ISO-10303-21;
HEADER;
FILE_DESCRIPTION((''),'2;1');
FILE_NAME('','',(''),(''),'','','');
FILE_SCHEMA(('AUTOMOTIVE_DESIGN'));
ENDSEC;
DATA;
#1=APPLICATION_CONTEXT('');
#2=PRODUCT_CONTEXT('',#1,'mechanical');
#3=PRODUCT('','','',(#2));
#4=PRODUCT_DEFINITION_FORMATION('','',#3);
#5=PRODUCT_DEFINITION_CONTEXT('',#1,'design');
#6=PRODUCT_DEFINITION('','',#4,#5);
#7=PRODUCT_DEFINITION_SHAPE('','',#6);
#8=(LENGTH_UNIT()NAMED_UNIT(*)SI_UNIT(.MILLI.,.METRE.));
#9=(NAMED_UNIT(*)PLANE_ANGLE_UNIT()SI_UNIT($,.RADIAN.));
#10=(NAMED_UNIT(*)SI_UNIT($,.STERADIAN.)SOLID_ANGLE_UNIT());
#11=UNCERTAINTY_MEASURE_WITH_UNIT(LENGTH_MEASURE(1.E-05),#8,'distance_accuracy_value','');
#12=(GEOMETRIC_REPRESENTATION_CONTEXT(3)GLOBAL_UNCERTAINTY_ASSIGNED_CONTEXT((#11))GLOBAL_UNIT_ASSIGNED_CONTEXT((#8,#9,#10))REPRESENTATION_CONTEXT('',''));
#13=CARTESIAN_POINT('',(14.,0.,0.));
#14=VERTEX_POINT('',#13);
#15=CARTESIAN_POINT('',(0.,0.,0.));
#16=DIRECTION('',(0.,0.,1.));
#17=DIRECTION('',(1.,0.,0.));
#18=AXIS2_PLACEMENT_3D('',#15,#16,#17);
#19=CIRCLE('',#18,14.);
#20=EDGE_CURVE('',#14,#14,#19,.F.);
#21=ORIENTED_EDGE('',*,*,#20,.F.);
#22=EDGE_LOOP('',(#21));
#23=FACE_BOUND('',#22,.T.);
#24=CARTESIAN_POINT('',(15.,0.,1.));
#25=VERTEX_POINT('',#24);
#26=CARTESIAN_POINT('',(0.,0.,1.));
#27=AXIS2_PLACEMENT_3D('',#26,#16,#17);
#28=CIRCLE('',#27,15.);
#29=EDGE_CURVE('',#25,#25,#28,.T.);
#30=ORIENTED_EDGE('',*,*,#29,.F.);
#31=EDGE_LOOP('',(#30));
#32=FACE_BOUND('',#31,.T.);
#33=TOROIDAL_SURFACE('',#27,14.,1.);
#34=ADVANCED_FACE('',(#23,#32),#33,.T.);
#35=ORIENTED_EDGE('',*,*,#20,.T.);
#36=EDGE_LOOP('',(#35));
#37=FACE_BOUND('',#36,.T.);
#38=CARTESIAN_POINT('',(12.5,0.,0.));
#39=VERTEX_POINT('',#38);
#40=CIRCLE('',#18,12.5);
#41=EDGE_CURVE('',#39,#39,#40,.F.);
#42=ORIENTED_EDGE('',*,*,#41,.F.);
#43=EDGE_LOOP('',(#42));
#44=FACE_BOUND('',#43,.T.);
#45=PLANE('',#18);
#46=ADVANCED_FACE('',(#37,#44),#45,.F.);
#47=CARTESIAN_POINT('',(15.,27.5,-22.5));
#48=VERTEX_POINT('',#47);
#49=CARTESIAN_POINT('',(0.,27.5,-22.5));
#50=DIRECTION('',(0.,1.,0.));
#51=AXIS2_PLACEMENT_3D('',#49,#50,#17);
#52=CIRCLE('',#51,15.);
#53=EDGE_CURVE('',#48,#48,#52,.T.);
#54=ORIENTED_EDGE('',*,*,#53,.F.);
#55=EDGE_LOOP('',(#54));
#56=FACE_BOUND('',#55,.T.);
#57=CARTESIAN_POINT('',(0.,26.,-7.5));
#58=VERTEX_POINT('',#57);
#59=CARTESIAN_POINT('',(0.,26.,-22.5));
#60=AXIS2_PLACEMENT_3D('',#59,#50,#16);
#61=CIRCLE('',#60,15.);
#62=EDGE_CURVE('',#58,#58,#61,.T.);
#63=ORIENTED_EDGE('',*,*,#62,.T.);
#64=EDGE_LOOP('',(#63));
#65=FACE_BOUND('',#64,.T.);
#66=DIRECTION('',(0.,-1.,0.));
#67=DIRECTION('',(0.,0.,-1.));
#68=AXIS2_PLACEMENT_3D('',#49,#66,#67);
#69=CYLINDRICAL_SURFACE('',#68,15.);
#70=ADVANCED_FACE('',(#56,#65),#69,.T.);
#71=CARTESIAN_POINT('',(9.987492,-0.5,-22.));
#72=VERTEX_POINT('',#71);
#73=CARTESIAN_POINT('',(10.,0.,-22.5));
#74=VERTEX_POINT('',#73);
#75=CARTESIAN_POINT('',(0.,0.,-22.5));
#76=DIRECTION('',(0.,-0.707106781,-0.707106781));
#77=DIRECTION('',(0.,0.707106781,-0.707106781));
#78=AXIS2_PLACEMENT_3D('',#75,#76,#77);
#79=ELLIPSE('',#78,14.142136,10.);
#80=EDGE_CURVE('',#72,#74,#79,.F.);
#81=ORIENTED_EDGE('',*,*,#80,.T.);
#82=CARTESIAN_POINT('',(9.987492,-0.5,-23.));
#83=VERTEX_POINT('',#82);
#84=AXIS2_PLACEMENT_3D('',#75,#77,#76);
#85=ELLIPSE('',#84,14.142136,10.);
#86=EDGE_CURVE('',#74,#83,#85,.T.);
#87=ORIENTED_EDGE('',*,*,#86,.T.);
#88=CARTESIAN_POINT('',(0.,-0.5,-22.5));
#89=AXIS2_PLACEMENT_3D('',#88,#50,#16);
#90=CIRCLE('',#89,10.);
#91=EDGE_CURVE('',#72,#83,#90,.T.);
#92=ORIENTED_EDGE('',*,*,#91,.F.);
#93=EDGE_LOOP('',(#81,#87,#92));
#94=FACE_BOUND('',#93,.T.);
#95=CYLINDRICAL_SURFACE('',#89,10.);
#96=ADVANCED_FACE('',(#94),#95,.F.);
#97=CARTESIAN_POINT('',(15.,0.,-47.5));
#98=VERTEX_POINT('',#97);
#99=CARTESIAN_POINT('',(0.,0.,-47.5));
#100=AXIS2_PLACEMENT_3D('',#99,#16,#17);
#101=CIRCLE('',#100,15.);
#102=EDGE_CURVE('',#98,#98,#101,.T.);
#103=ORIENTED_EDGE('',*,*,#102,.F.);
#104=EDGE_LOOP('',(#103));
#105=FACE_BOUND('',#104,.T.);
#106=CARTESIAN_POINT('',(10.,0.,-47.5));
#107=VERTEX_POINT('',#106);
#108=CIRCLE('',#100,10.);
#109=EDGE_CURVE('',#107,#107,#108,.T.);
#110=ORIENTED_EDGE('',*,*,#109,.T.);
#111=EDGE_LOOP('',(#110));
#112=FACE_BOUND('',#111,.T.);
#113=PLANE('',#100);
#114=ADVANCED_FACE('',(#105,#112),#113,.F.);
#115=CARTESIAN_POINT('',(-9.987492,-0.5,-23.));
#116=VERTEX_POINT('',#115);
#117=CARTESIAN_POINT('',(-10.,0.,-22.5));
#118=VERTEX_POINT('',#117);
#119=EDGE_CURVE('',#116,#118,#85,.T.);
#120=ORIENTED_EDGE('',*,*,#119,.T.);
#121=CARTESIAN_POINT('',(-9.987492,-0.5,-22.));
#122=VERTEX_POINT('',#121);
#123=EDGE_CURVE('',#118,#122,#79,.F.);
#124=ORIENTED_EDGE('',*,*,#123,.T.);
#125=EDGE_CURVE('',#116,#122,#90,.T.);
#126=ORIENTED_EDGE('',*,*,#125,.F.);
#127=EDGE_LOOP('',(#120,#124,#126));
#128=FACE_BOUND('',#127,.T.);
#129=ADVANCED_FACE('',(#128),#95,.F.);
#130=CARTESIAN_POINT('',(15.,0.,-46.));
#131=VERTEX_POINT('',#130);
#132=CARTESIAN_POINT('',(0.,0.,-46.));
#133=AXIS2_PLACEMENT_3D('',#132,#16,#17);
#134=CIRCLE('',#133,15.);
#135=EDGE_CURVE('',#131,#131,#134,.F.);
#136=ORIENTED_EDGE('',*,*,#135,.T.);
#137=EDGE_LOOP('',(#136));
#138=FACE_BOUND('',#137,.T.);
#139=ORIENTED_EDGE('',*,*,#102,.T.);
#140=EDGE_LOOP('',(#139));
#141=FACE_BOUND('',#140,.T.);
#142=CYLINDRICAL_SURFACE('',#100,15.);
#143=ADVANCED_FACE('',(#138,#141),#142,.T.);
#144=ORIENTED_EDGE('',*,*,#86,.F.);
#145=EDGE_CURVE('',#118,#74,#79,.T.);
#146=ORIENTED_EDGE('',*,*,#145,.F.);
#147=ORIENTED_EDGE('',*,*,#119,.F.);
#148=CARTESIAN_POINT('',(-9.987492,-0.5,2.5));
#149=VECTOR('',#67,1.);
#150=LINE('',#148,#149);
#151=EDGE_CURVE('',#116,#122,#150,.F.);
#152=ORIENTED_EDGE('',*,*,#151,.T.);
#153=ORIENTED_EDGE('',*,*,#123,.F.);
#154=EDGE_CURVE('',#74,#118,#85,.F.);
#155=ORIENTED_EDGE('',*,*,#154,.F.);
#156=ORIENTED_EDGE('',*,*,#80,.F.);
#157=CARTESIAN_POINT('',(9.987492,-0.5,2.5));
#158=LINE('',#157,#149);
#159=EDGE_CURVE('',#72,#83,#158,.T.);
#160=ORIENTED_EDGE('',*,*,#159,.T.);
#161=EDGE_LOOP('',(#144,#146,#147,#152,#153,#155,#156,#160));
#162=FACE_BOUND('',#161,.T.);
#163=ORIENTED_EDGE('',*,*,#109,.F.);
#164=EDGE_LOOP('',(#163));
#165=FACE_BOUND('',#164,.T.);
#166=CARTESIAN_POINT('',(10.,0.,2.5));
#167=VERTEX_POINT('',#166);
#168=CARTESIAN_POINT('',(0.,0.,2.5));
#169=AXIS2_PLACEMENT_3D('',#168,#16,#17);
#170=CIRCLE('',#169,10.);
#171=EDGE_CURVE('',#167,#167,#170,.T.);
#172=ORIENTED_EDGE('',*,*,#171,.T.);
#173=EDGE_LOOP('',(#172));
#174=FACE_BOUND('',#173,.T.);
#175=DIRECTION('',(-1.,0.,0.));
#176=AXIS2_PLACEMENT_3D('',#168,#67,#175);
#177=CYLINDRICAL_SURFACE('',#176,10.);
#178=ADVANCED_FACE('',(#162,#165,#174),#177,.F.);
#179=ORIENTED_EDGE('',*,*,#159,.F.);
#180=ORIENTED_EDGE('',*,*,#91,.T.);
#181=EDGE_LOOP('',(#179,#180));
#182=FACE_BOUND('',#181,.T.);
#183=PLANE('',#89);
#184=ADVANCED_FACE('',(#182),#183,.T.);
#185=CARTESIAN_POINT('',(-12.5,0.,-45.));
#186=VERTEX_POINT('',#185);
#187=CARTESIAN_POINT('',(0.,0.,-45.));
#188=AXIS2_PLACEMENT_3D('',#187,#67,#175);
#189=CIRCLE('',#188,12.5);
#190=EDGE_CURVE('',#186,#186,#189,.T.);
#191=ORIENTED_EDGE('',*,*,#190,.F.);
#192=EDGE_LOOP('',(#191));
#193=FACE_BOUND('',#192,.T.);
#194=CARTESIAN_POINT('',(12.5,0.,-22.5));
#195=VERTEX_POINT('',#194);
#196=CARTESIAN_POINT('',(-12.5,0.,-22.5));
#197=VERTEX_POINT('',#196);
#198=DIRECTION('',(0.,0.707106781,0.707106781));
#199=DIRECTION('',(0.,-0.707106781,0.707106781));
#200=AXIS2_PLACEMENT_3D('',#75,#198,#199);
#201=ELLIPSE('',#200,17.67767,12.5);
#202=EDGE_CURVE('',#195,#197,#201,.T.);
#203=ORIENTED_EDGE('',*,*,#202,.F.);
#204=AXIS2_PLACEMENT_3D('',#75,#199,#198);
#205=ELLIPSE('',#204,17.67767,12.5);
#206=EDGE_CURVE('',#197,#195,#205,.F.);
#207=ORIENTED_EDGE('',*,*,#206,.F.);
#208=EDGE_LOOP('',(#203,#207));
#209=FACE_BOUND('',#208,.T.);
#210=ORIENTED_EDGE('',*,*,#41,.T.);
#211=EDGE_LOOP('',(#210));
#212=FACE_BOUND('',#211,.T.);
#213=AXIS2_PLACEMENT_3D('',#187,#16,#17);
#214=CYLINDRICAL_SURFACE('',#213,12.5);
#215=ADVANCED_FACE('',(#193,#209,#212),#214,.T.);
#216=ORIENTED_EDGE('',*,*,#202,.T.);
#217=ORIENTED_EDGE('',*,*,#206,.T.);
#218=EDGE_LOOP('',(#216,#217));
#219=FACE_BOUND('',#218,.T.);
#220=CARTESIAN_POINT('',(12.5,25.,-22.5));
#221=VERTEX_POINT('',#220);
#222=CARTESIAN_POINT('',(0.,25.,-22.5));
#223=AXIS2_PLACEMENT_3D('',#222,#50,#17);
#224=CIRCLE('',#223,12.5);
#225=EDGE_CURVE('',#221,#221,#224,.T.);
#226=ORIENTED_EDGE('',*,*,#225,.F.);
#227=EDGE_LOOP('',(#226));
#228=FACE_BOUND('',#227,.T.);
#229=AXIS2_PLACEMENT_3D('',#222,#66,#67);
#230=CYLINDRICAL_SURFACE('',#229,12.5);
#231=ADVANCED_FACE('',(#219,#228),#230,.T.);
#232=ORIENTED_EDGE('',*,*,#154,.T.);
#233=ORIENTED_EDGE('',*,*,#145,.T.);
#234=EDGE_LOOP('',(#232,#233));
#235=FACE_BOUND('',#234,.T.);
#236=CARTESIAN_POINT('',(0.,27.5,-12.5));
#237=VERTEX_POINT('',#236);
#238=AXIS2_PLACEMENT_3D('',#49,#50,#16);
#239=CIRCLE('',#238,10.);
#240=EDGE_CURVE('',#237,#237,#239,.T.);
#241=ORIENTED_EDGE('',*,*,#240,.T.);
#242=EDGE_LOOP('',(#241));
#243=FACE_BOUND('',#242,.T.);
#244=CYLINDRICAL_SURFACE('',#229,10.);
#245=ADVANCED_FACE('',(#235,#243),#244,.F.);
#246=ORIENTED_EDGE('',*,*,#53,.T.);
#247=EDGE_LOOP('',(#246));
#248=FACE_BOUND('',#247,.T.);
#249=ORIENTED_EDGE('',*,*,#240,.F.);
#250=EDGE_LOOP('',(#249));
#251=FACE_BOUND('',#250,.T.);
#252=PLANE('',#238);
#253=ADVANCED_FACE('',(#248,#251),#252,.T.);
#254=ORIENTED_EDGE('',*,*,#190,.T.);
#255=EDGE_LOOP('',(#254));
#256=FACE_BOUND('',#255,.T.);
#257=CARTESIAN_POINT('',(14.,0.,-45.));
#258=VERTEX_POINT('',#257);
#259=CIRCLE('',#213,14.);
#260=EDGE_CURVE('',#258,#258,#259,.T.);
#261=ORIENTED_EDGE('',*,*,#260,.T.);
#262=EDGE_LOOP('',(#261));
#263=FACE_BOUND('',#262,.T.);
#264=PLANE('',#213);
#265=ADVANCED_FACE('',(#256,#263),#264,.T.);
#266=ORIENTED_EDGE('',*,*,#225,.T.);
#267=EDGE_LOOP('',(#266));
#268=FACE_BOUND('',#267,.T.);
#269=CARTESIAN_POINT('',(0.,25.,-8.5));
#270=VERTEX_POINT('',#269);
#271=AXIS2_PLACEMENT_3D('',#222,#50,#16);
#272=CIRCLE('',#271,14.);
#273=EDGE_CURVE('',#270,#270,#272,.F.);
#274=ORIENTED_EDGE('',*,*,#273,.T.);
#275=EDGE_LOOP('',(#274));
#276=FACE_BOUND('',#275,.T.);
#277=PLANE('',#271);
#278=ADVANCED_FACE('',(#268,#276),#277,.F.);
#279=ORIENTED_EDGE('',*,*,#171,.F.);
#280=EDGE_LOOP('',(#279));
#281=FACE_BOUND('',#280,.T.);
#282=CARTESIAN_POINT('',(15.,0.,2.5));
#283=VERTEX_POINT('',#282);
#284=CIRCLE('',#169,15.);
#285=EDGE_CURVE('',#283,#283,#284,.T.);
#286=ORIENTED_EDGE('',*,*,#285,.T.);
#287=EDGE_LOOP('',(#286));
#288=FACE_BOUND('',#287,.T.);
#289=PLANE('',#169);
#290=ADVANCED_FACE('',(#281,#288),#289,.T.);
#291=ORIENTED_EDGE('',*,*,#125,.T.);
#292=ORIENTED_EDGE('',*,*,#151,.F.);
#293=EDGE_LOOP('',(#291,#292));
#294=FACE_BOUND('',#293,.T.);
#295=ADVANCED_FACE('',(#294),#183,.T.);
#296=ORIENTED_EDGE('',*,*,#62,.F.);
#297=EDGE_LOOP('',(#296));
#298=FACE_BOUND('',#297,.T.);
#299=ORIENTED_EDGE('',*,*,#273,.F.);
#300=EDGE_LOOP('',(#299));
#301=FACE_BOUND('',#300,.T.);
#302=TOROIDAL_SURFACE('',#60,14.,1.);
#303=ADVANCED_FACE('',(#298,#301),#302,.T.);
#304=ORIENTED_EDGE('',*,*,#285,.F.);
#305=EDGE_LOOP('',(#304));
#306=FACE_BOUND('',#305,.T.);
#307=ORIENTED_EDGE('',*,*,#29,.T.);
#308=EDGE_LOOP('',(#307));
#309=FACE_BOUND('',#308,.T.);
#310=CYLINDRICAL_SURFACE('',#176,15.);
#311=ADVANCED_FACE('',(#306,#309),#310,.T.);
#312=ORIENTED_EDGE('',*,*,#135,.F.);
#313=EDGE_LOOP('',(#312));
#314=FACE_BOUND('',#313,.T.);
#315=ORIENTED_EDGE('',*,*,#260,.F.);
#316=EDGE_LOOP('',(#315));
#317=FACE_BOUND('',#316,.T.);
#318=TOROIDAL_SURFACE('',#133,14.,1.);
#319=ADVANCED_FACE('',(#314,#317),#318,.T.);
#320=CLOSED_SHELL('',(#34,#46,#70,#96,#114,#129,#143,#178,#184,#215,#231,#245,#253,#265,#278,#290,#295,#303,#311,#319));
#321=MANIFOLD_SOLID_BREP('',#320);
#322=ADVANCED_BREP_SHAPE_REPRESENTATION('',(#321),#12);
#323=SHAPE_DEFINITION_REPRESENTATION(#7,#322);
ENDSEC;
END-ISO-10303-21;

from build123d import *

# Parameters (mm, degrees)
CROQUIS1_R            = 15
CROQUIS1_R_2          = 10
EXTRUIR_L_MINA1_DEPTH = 2.5
CROQUIS2_R            = 12.5
CROQUIS2_R_2          = 10
EXTRUIR_L_MINA2_DEPTH = 45
REDONDEO3_R           = 1
CROQUIS5_R            = 12.5
CROQUIS5_R_2          = 10
EXTRUIR_L_MINA3_DEPTH = 25
CROQUIS6_R            = 15
CROQUIS6_R_2          = 10
EXTRUIR_L_MINA4_DEPTH = 2.5
REDONDEO4_R           = 1
CROQUIS7_R            = 10
CORTAR_EXTRUIR1_DEPTH = 51
CROQUIS8_R            = 10
CORTAR_EXTRUIR2_DEPTH = 28


with BuildPart() as part:
    # Croquis1 → Extruir-Lámina1 (new body)
    with BuildSketch(Plane.XY):
        Circle(CROQUIS1_R)
        Circle(CROQUIS1_R_2, mode=Mode.SUBTRACT)
    extruir_l_mina1 = extrude(amount=EXTRUIR_L_MINA1_DEPTH)

    # Croquis2 → Extruir-Lámina2 (add)
    with BuildSketch(Plane(origin=(0, 0, 0), x_dir=(-1, 0, 0), z_dir=(0, 0, -1))):
        Circle(CROQUIS2_R)
        Circle(CROQUIS2_R_2, mode=Mode.SUBTRACT)
    extrude(amount=EXTRUIR_L_MINA2_DEPTH)

    # Simetría1: Extruir-Lámina1 across plane
    add(extruir_l_mina1.mirror(Plane.XY.offset(-22.5)))

    # Redondeo3
    redondeo3_edges = [part.edges().sort_by_distance(p)[0] for p in [
        (-15, 0, -45),
        (-15, 0, 0),
    ]]
    fillet(redondeo3_edges, radius=REDONDEO3_R)

    # Croquis5 → Extruir-Lámina3 (add)
    with BuildSketch(Plane(origin=(0, 0, 0), x_dir=(1, 0, 0), z_dir=(0, 1, 0))):
        with Locations((0, 22.5)):
            Circle(CROQUIS5_R)
        with Locations((0, 22.5)):
            Circle(CROQUIS5_R_2, mode=Mode.SUBTRACT)
    extrude(amount=EXTRUIR_L_MINA3_DEPTH)

    # Croquis6 → Extruir-Lámina4 (add)
    with BuildSketch(Plane(origin=(0, 25, 0), x_dir=(1, 0, 0), z_dir=(0, 1, 0))):
        with Locations((0, 22.5)):
            Circle(CROQUIS6_R)
        with Locations((0, 22.5)):
            Circle(CROQUIS6_R_2, mode=Mode.SUBTRACT)
    extrude(amount=EXTRUIR_L_MINA4_DEPTH)

    # Redondeo4
    redondeo4_edges = [part.edges().sort_by_distance(p)[0] for p in [
        (-15, 25, -22.5),
    ]]
    fillet(redondeo4_edges, radius=REDONDEO4_R)

    # Croquis7 → Cortar-Extruir1 (cut, through all)
    with BuildSketch(Plane(origin=(0, 0, -47.5), x_dir=(-1, 0, 0), z_dir=(0, 0, -1))):
        Circle(CROQUIS7_R)
    extrude(amount=-CORTAR_EXTRUIR1_DEPTH, mode=Mode.SUBTRACT)

    # Croquis8 → Cortar-Extruir2 (cut)
    with BuildSketch(Plane(origin=(0, 27.5, 0), x_dir=(1, 0, 0), z_dir=(0, 1, 0))):
        with Locations((0, 22.5)):
            Circle(CROQUIS8_R)
    extrude(amount=-CORTAR_EXTRUIR2_DEPTH, mode=Mode.SUBTRACT)


solid = part.part
